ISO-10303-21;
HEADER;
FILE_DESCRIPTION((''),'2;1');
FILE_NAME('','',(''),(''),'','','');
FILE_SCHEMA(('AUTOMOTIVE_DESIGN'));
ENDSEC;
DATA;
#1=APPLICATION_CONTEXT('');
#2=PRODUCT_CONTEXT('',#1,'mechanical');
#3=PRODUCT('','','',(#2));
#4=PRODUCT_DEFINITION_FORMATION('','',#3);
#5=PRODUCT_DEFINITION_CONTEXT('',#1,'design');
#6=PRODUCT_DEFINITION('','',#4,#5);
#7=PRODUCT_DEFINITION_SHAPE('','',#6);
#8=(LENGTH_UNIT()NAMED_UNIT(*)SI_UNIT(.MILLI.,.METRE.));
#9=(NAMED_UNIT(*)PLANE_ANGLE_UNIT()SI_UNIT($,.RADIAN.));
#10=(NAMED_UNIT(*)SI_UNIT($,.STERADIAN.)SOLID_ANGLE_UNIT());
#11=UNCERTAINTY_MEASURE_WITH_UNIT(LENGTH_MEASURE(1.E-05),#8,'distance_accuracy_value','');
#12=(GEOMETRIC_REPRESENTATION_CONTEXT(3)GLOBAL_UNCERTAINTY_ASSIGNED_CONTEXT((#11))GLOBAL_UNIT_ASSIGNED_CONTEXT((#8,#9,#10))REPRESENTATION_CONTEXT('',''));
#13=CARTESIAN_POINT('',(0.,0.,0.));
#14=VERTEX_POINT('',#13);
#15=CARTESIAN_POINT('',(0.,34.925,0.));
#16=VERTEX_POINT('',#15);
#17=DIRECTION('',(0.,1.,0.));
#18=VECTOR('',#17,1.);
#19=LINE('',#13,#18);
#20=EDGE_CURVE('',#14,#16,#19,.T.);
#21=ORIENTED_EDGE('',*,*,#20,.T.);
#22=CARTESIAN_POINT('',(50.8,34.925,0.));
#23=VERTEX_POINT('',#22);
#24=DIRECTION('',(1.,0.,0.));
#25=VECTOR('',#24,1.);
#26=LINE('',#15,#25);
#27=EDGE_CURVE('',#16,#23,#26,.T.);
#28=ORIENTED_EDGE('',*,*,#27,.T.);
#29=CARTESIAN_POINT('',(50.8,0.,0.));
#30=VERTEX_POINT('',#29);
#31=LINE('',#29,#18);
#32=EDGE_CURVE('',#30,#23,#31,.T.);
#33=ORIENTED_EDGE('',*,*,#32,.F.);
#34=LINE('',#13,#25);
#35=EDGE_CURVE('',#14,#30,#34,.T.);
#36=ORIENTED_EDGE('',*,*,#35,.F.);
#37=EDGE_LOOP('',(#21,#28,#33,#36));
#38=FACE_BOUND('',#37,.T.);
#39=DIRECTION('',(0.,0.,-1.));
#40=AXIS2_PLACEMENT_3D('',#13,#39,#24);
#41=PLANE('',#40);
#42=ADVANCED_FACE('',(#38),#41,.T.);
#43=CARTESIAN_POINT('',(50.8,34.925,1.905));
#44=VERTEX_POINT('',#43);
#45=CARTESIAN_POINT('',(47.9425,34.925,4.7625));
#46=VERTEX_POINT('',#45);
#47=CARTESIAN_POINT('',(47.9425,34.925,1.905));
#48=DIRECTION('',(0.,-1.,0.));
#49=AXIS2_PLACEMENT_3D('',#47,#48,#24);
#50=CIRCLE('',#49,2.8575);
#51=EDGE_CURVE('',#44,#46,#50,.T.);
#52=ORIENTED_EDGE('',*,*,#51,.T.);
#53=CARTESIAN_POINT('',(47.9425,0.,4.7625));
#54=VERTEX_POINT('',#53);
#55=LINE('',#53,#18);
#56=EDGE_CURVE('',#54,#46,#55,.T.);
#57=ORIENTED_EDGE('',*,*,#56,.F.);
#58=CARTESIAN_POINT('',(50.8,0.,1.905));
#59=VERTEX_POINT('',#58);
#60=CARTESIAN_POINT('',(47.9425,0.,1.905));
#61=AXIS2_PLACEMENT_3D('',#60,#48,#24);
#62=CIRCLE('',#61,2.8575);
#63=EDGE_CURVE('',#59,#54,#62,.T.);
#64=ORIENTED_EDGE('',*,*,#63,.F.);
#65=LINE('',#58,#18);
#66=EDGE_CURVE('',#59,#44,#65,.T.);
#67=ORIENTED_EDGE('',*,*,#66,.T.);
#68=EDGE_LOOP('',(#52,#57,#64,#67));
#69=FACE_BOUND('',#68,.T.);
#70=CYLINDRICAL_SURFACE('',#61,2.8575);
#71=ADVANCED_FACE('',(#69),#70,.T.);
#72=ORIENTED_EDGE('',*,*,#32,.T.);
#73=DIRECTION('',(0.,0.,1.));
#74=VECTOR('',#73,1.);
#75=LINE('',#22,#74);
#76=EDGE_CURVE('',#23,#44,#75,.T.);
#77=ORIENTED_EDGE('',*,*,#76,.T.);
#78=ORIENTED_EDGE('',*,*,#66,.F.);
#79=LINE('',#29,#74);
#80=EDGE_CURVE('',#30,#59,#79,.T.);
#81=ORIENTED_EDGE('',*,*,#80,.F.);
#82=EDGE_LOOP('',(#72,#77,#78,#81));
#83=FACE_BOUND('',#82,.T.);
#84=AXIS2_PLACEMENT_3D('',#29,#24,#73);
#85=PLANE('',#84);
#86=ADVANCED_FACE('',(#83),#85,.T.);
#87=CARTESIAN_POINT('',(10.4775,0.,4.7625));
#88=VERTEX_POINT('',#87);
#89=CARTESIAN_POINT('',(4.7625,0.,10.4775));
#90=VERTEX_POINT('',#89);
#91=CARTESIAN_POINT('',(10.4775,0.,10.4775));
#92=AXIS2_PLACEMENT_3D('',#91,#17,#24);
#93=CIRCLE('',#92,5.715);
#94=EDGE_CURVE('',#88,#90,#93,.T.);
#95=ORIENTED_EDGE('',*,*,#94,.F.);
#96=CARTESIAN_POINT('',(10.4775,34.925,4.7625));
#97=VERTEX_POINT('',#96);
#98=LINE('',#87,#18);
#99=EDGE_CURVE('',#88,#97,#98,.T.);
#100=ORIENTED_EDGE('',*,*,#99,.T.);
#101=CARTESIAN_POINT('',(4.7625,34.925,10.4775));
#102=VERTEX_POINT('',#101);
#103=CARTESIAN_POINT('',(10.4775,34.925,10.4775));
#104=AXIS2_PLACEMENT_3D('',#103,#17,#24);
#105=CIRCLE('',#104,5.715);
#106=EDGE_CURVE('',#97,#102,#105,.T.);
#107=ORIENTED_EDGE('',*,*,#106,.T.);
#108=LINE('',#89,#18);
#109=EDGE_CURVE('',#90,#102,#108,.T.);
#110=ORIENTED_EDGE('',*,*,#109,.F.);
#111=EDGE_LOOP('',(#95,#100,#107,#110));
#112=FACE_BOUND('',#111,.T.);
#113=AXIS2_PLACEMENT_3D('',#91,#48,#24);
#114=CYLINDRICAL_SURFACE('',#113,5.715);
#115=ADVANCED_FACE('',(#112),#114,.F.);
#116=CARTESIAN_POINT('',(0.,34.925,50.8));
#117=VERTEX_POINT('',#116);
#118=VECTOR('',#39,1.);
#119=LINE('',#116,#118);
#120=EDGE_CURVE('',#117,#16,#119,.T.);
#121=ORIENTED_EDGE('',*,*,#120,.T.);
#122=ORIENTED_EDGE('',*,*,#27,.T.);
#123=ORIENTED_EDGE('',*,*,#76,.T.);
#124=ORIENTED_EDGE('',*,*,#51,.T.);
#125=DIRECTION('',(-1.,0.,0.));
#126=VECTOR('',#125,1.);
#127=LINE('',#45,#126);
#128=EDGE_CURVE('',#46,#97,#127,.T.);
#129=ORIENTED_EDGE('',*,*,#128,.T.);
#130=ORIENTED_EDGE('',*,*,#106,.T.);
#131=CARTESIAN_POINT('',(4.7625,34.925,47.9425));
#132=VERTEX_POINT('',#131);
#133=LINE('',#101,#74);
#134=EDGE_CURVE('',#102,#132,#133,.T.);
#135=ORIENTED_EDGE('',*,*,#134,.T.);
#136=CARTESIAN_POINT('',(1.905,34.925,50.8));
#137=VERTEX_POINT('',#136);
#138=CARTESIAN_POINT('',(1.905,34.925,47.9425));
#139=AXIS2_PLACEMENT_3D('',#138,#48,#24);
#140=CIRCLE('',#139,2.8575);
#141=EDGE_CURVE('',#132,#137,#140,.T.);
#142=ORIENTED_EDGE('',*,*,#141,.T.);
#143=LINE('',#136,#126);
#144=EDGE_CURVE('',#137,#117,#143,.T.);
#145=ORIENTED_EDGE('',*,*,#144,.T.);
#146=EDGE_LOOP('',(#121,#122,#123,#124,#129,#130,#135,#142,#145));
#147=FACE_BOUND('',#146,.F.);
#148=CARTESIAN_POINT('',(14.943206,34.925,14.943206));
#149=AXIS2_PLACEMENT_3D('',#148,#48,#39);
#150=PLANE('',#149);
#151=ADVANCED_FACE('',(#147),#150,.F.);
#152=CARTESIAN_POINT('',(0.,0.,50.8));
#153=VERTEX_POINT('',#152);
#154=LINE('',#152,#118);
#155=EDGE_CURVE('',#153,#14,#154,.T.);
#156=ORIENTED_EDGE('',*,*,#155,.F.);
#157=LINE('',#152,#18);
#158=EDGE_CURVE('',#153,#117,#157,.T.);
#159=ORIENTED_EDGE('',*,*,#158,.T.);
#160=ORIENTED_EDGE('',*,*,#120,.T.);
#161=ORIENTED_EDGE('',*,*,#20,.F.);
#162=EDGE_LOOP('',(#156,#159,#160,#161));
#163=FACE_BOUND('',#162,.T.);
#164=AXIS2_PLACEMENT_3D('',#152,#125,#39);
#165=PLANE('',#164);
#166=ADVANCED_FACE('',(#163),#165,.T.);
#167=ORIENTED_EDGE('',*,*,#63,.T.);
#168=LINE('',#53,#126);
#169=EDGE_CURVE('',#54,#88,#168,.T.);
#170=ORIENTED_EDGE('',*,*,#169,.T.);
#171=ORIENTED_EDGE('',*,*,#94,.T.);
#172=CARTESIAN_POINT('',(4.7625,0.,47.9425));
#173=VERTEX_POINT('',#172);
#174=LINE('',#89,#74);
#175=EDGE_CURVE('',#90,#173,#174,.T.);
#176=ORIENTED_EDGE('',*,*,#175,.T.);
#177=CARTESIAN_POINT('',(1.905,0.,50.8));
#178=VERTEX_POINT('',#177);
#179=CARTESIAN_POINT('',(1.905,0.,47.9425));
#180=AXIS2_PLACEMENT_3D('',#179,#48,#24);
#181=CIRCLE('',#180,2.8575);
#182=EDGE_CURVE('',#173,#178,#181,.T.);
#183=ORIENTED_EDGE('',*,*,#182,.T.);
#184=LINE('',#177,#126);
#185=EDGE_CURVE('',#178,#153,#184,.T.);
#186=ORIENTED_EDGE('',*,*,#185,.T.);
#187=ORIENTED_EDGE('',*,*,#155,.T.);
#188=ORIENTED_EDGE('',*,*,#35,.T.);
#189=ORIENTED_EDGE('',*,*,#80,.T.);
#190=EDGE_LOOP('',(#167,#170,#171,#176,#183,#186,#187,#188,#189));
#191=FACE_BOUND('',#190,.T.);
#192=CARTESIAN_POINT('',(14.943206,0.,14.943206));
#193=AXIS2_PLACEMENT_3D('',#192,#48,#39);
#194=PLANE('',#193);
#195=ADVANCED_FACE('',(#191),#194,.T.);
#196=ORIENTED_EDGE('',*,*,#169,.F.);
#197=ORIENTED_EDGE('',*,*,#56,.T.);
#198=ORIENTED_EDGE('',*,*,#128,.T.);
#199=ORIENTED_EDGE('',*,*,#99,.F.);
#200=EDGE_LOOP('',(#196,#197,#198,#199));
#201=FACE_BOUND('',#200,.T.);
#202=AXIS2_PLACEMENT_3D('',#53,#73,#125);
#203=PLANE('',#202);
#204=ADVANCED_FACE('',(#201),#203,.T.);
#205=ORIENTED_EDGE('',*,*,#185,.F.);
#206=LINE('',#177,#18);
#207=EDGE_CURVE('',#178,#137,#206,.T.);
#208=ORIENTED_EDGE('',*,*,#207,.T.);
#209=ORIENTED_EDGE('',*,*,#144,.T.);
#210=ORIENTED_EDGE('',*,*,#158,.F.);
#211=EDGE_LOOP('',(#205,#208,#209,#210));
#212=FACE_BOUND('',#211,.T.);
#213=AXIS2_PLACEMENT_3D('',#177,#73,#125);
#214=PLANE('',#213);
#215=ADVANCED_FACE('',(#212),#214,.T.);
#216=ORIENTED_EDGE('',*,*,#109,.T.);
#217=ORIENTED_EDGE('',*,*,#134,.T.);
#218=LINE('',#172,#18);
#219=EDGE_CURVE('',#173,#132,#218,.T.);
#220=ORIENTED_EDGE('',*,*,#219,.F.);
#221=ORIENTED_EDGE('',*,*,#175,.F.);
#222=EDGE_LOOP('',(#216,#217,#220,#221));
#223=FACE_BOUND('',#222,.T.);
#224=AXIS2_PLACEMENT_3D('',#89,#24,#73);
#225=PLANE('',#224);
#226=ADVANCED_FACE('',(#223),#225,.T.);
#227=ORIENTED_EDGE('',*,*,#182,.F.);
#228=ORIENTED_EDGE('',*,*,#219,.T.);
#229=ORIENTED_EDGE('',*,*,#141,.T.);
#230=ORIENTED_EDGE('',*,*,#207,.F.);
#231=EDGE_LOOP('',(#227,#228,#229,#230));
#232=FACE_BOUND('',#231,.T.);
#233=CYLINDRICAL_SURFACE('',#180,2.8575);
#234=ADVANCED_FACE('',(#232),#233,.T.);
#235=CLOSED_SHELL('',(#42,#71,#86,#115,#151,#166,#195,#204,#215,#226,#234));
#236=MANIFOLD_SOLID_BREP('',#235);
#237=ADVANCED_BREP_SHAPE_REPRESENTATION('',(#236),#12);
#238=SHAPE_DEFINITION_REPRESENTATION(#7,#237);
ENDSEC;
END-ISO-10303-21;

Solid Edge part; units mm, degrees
sketch "Sketch1" plane through (0, 0, 0) normal (0, -1, 0) x (1, 0, 0)
  line L0 (0, 50.8) -> (0, 0)
  line L1 (0, 0) -> (50.8, 0)
  line L2 (50.8, 0) -> (50.8, 1.905)
  arc A0 (50.8, 1.905) -> (47.9425, 4.7625) centre (47.9425, 1.905) ccw
  line L3 (47.9425, 4.7625) -> (10.4775, 4.7625)
  arc A1 (10.4775, 4.7625) -> (4.7625, 10.4775) centre (10.4775, 10.4775) cw
  line L4 (4.7625, 10.4775) -> (4.7625, 47.9425)
  arc A2 (4.7625, 47.9425) -> (1.905, 50.8) centre (1.905, 47.9425) ccw
  line L5 (1.905, 50.8) -> (0, 50.8)
  dimension "D1" = 50.8
extrude "Protrusion1" add sketch "Sketch1" against normal blind 34.925
